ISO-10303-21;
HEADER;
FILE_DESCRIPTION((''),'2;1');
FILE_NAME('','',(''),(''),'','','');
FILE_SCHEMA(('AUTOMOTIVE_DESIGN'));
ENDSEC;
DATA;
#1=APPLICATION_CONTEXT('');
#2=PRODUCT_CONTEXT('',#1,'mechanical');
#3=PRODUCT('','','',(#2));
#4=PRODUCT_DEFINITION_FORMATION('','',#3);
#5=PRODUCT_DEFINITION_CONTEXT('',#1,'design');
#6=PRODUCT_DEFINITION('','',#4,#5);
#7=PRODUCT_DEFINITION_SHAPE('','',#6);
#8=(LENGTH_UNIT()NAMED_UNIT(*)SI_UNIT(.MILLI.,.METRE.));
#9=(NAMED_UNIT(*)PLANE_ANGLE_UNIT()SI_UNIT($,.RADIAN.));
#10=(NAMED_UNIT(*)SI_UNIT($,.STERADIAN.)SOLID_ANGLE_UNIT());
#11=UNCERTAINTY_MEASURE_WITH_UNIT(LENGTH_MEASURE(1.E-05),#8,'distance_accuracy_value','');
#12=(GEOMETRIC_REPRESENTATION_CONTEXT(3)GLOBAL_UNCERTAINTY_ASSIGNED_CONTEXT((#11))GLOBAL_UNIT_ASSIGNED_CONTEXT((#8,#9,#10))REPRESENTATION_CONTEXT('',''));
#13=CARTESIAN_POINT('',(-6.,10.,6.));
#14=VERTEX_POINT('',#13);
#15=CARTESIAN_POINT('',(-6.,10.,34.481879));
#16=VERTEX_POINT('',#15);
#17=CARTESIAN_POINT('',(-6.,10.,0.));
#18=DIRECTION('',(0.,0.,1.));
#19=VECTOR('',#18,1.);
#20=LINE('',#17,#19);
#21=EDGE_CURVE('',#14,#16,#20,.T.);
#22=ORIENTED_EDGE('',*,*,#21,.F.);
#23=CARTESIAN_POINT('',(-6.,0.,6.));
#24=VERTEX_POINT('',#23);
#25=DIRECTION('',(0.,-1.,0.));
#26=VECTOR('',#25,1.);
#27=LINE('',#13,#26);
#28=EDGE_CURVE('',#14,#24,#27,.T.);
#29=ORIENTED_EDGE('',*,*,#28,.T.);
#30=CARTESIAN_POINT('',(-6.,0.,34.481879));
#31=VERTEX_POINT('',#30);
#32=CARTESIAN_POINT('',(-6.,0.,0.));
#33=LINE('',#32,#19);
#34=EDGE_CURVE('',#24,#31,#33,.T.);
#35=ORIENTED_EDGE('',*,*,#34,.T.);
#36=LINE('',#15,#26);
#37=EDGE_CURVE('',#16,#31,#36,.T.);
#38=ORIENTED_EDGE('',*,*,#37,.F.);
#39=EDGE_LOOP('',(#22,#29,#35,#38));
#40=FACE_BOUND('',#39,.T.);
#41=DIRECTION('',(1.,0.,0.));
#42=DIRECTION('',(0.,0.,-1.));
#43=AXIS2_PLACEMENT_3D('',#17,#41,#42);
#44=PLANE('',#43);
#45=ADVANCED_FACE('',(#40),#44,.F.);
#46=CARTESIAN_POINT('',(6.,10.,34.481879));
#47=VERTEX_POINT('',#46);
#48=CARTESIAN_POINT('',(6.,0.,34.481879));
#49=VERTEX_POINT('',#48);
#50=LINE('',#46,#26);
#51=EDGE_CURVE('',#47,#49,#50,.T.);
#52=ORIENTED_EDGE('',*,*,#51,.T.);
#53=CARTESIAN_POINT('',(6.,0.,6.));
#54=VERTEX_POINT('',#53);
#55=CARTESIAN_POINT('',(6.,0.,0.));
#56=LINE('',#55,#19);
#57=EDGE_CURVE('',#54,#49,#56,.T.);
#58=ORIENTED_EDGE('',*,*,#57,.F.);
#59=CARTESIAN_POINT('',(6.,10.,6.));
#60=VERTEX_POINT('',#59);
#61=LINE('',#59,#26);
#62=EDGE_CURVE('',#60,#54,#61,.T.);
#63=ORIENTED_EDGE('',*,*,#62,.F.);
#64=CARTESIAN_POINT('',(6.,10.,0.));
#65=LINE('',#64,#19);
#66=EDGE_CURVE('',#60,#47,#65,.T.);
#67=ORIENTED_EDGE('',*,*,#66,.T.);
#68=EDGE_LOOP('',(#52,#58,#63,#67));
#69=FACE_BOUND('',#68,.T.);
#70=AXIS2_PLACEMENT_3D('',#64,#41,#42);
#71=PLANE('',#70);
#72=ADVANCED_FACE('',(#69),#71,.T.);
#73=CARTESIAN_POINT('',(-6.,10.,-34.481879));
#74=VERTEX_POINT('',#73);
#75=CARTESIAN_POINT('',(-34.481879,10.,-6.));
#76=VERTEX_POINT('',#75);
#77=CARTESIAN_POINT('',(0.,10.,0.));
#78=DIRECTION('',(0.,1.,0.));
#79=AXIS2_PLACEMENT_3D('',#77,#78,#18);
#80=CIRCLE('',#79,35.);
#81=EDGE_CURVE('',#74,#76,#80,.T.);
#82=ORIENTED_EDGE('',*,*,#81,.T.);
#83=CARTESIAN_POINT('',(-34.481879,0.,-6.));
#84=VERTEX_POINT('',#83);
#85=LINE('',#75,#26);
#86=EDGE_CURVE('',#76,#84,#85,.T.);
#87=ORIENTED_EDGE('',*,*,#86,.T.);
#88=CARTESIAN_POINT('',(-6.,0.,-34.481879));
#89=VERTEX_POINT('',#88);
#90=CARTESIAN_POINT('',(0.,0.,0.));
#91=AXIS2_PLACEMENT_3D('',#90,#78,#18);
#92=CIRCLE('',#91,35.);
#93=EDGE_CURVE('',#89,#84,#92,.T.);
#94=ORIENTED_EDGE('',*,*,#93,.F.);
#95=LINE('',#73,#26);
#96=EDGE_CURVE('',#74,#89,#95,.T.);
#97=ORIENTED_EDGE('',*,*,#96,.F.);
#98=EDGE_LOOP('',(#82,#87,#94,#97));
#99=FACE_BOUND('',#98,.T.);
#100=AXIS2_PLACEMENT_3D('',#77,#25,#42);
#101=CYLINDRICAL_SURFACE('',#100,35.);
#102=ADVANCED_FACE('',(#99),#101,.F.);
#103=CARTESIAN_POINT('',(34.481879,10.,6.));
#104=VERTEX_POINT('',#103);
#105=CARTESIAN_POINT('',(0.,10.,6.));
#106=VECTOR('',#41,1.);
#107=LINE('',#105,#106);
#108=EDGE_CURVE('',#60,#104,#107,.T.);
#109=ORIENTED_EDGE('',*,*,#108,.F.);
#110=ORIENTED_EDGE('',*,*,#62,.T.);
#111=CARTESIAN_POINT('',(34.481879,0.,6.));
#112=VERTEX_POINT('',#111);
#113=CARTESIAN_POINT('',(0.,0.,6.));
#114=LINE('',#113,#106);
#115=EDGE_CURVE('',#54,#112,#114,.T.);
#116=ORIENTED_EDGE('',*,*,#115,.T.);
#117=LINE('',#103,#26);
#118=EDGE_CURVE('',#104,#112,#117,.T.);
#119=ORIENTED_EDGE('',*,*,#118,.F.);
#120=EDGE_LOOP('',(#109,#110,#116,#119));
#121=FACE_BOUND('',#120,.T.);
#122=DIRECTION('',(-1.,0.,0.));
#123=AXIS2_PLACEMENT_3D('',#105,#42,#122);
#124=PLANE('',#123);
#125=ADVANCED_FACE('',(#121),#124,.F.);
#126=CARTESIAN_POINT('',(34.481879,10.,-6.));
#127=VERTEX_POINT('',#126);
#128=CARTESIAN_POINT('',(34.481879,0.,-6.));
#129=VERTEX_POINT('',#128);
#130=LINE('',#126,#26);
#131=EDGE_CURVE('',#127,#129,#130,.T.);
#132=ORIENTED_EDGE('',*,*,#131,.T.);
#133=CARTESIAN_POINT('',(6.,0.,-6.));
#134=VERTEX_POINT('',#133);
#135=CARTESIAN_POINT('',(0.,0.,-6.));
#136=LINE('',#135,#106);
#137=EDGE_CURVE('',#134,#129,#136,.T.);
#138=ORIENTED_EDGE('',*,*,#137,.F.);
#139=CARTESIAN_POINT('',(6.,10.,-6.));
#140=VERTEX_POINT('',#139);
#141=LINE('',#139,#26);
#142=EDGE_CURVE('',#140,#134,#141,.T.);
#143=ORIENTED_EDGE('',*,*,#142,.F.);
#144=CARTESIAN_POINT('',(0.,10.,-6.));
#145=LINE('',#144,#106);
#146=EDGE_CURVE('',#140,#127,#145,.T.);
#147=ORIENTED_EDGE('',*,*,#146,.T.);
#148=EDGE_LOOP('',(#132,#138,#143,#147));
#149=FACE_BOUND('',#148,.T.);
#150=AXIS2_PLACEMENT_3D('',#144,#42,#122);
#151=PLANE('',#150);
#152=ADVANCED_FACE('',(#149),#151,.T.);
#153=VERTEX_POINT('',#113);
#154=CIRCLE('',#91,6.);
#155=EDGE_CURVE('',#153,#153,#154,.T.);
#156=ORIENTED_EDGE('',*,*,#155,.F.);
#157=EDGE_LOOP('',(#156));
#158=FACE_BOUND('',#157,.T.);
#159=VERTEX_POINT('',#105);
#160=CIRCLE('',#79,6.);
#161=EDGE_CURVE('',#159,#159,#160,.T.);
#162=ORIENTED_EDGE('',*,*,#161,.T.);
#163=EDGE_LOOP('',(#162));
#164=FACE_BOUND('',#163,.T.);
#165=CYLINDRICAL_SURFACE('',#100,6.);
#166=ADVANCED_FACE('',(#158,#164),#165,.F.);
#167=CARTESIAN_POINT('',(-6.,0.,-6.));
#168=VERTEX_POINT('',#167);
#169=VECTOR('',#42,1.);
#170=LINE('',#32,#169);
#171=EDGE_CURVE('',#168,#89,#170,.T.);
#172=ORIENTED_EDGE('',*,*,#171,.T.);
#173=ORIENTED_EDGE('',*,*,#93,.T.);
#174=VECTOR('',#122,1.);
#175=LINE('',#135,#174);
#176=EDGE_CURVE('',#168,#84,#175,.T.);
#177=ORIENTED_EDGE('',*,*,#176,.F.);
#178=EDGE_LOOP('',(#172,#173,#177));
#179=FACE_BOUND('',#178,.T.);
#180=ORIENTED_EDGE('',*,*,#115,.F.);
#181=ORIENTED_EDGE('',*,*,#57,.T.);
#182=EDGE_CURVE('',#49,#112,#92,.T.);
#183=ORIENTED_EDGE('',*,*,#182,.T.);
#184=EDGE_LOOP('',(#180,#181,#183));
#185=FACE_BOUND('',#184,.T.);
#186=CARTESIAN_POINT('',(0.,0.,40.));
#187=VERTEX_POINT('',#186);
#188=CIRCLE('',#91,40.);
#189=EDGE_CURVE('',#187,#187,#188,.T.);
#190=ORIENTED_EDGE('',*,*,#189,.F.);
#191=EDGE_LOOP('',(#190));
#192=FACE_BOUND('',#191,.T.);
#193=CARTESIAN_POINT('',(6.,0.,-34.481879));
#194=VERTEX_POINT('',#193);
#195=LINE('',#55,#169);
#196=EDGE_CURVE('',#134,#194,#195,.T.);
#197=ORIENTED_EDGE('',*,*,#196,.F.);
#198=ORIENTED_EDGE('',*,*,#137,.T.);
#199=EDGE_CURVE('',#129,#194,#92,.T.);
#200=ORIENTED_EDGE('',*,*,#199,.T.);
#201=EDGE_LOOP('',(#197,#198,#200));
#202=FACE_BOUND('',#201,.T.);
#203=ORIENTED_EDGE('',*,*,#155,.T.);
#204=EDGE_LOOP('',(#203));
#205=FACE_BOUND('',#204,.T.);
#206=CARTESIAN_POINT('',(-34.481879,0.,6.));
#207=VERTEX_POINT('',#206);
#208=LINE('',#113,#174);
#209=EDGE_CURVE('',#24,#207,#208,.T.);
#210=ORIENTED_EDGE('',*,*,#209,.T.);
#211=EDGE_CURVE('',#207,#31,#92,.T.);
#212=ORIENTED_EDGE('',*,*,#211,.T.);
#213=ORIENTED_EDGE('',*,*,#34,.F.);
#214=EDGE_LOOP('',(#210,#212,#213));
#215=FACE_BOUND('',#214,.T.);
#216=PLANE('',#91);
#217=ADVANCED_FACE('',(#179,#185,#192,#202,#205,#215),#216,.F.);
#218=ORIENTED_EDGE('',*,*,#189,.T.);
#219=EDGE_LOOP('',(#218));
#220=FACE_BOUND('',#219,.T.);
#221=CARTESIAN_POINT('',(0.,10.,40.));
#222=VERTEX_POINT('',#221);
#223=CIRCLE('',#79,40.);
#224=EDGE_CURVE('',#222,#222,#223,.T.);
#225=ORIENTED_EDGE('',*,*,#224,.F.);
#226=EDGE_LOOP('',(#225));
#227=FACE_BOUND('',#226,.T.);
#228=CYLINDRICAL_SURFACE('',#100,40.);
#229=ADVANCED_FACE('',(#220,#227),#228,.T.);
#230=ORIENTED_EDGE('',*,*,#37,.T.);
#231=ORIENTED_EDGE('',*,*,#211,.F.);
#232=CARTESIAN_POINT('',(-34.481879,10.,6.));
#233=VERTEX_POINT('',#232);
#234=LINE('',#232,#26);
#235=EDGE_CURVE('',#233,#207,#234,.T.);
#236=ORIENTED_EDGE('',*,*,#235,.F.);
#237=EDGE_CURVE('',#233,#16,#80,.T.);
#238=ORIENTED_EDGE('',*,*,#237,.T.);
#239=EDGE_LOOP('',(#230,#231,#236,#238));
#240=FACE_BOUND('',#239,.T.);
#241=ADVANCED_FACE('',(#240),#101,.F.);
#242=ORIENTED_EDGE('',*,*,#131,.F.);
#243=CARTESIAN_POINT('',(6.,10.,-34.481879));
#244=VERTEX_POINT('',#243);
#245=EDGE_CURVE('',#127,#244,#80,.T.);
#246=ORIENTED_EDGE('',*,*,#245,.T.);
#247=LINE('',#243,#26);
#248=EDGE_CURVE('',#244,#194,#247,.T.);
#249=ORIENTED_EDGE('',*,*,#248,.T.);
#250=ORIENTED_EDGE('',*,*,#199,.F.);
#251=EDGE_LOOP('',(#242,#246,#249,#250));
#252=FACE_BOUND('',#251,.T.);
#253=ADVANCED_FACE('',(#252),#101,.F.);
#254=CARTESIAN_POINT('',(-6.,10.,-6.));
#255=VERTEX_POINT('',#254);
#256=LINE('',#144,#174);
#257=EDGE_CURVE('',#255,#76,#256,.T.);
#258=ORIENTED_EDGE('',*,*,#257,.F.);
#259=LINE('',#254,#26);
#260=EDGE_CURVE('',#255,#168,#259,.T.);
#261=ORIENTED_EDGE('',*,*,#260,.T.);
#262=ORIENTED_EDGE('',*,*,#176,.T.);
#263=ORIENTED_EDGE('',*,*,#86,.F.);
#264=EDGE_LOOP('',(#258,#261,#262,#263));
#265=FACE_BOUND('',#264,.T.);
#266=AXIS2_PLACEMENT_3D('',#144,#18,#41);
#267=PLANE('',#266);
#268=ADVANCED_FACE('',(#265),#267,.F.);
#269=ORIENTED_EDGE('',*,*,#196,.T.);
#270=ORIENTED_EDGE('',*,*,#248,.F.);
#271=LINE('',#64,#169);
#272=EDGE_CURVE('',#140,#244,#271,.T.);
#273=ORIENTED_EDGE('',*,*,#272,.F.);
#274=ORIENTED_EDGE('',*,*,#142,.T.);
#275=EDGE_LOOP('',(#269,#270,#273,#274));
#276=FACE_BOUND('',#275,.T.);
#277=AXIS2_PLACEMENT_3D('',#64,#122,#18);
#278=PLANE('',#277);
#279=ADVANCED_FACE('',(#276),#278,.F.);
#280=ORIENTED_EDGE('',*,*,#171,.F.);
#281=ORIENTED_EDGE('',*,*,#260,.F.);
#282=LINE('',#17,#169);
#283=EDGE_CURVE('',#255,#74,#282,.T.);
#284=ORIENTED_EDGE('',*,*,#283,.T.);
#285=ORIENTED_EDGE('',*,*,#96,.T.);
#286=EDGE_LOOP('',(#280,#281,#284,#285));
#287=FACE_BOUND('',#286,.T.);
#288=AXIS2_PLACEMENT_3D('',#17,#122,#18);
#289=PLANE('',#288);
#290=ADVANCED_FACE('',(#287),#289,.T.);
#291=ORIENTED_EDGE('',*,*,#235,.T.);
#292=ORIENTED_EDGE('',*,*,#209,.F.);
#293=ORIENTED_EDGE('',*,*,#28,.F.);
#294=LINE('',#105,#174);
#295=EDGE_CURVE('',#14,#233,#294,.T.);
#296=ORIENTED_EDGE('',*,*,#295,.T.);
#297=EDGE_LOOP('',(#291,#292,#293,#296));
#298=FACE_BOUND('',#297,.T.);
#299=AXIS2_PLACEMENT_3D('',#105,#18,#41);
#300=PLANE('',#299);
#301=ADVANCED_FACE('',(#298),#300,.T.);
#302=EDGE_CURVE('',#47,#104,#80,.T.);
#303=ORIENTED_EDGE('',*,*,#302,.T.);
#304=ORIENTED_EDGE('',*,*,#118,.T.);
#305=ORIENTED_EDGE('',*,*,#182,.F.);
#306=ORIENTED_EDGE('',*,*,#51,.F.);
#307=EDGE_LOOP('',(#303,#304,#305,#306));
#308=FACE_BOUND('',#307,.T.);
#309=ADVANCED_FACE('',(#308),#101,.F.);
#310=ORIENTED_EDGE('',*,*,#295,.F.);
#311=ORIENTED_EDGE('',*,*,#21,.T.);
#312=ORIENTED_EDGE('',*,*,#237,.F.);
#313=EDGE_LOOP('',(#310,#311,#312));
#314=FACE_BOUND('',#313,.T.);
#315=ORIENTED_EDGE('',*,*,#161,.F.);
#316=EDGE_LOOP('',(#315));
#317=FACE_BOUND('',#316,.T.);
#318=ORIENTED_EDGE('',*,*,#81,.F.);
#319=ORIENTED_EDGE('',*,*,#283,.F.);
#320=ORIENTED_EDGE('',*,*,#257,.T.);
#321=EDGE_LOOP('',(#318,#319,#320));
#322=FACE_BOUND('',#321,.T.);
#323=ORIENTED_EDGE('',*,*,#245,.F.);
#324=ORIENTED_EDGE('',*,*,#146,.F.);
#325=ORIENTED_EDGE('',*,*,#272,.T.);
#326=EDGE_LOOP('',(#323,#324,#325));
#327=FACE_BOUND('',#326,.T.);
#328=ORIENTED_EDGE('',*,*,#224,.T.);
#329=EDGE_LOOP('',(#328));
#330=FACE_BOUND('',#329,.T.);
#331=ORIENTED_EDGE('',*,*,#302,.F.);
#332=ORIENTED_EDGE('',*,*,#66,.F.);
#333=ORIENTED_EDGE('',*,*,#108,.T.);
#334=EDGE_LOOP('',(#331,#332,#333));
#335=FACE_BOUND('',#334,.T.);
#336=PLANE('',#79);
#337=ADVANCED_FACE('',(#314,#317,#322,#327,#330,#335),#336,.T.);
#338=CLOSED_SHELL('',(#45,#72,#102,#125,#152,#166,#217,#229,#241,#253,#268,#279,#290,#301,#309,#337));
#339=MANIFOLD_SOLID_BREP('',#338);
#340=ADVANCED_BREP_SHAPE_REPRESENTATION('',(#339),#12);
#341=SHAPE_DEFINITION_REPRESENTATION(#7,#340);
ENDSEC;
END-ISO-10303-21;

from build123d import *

# Parameters (mm, degrees)
SKETCH1_R           = 40
SKETCH1_R_2         = 35
BOSS_EXTRUDE1_DEPTH = 10


with BuildPart() as part:
    # Sketch1 → Boss-Extrude1 (new body)
    with BuildSketch(Plane(origin=(0, 0, 0), x_dir=(1, 0, 0), z_dir=(0, 1, 0))):
        Circle(SKETCH1_R)
        Circle(SKETCH1_R_2, mode=Mode.SUBTRACT)
        with BuildLine():
            Line((-6, 0), (-6, 6))
            Line((-6, 6), (-34.481879299, 6))
            ThreePointArc((-34.481879299, 6), (-35, 0), (-34.481879299, -6))
            Line((-34.481879299, -6), (-6, -6))
            Line((-6, -6), (-6, 0))
        make_face()
        with BuildLine():
            Line((6, -34.481879299), (6, -6))
            Line((6, -6), (0, -6))
            Line((0, -6), (-6, -6))
            Line((-6, -6), (-6, -34.481879299))
            ThreePointArc((-6, -34.481879299), (0, -35), (6, -34.481879299))
        make_face()
        with BuildLine():
            Line((6, 6), (6, 0))
            Line((6, 0), (6, -6))
            Line((6, -6), (34.481879299, -6))
            ThreePointArc((34.481879299, -6), (34.870229247, -3.011164603), (35, 0))
            ThreePointArc((35, 0), (34.870229247, 3.011164603), (34.481879299, 6))
            Line((34.481879299, 6), (6, 6))
        make_face()
        with BuildLine():
            Line((0, 6), (6, 6))
            Line((6, 6), (6, 34.481879299))
            ThreePointArc((6, 34.481879299), (0, 35), (-6, 34.481879299))
            Line((-6, 34.481879299), (-6, 6))
            Line((-6, 6), (0, 6))
        make_face()
        with BuildLine():
            Line((-6, -6), (0, -6))
            ThreePointArc((0, -6), (-4.242640687, -4.242640687), (-6, 0))
            Line((-6, 0), (-6, -6))
        make_face()
        with BuildLine():
            Line((6, -6), (6, 0))
            ThreePointArc((6, 0), (4.242640687, -4.242640687), (0, -6))
            Line((0, -6), (6, -6))
        make_face()
        with BuildLine():
            ThreePointArc((0, 6), (4.242640687, 4.242640687), (6, 0))
            Line((6, 0), (6, 6))
            Line((6, 6), (0, 6))
        make_face()
        with BuildLine():
            ThreePointArc((-6, 0), (-4.242640687, 4.242640687), (0, 6))
            Line((0, 6), (-6, 6))
            Line((-6, 6), (-6, 0))
        make_face()
    extrude(amount=BOSS_EXTRUDE1_DEPTH)


solid = part.part
